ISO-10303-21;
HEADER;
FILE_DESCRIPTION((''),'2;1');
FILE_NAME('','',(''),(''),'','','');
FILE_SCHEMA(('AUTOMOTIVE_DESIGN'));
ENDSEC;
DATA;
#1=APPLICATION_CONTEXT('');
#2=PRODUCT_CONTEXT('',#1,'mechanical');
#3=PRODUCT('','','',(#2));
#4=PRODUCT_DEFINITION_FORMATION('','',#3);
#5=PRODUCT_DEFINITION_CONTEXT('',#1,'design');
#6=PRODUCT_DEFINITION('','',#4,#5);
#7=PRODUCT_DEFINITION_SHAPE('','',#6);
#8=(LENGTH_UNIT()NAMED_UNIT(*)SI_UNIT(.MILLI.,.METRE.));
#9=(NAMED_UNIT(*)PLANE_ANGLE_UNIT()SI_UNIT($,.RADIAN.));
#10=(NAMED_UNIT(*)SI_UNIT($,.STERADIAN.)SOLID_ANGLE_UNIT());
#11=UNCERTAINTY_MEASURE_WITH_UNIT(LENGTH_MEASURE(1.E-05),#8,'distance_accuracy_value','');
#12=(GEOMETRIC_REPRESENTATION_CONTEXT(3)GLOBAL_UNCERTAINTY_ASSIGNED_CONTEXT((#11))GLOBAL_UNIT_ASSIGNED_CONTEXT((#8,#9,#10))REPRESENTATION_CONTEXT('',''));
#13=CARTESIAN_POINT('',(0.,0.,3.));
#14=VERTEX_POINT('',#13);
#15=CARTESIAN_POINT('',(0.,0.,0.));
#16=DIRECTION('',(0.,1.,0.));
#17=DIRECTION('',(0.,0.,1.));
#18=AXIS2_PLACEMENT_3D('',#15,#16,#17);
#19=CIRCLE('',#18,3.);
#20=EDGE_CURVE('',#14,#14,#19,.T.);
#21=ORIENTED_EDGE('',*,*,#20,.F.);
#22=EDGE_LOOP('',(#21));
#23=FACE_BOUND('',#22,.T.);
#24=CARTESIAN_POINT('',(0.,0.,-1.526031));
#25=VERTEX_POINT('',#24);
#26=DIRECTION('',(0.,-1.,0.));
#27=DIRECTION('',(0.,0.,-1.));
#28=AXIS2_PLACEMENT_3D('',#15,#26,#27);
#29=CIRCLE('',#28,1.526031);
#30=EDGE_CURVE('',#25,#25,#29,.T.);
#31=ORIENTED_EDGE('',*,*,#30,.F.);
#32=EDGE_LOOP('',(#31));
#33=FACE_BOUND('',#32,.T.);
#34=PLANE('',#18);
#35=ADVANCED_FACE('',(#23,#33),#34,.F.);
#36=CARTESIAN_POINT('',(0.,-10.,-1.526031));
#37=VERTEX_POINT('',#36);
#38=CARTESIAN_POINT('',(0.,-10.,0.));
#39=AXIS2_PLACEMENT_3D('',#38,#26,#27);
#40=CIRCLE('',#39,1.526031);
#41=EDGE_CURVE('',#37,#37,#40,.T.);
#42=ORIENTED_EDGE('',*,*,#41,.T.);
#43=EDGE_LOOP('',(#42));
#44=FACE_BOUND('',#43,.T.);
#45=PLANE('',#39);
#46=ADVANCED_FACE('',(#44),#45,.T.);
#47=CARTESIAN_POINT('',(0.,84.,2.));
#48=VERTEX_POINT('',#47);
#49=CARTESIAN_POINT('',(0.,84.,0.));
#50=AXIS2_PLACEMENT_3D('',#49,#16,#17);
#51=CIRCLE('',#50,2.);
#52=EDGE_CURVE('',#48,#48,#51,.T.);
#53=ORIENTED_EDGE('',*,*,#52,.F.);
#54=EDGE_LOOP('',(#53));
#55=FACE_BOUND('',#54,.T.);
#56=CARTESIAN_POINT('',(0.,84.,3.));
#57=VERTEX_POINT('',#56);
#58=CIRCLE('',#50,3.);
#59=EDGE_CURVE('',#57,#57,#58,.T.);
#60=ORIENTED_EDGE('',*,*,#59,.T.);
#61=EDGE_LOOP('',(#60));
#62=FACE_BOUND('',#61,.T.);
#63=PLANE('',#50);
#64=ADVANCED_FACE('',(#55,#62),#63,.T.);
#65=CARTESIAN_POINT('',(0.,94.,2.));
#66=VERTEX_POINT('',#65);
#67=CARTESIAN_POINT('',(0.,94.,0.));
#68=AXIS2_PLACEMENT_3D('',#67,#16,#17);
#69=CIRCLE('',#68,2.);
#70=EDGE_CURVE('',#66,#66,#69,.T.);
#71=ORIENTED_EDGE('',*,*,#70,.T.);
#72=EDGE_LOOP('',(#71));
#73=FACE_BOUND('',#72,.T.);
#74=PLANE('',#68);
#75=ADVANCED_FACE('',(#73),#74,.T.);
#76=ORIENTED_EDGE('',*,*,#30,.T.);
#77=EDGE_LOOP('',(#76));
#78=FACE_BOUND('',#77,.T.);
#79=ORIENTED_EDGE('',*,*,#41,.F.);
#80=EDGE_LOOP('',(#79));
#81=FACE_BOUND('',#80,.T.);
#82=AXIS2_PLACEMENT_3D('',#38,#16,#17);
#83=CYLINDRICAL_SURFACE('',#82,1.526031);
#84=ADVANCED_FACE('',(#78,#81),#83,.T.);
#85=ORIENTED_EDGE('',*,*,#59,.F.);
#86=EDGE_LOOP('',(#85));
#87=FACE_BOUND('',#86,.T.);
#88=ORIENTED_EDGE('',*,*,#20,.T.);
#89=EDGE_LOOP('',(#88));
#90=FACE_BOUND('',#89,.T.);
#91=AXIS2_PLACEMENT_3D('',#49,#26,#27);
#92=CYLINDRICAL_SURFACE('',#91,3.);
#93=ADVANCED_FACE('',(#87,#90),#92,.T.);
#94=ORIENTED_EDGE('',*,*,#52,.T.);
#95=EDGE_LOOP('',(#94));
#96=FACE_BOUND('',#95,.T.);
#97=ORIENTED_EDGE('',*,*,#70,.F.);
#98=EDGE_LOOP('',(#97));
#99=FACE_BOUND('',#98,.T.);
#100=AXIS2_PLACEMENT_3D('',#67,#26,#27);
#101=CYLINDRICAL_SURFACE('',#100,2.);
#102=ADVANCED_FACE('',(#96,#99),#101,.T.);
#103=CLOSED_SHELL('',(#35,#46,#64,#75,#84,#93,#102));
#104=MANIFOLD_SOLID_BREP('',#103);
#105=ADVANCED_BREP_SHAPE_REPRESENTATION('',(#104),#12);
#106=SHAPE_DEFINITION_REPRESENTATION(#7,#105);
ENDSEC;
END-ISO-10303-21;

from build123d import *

# Parameters (mm, degrees)
SKETCH1_R           = 3
BOSS_EXTRUDE2_DEPTH = 84
SKETCH3_R           = 2
BOSS_EXTRUDE3_DEPTH = 10
SKETCH4_R           = 1.526030588
BOSS_EXTRUDE4_DEPTH = 10


with BuildPart() as part:
    # Sketch1 → Boss-Extrude2 (new body)
    with BuildSketch(Plane(origin=(0, 0, 0), x_dir=(1, 0, 0), z_dir=(0, 1, 0))):
        Circle(SKETCH1_R)
    extrude(amount=BOSS_EXTRUDE2_DEPTH)

    # Sketch3 → Boss-Extrude3 (add)
    with BuildSketch(Plane(origin=(0, 84, 0), x_dir=(1, 0, 0), z_dir=(0, 1, 0))):
        Circle(SKETCH3_R)
    extrude(amount=BOSS_EXTRUDE3_DEPTH)

    # Sketch4 → Boss-Extrude4 (add)
    with BuildSketch(Plane.XZ):
        Circle(SKETCH4_R)
    extrude(amount=BOSS_EXTRUDE4_DEPTH)


solid = part.part
